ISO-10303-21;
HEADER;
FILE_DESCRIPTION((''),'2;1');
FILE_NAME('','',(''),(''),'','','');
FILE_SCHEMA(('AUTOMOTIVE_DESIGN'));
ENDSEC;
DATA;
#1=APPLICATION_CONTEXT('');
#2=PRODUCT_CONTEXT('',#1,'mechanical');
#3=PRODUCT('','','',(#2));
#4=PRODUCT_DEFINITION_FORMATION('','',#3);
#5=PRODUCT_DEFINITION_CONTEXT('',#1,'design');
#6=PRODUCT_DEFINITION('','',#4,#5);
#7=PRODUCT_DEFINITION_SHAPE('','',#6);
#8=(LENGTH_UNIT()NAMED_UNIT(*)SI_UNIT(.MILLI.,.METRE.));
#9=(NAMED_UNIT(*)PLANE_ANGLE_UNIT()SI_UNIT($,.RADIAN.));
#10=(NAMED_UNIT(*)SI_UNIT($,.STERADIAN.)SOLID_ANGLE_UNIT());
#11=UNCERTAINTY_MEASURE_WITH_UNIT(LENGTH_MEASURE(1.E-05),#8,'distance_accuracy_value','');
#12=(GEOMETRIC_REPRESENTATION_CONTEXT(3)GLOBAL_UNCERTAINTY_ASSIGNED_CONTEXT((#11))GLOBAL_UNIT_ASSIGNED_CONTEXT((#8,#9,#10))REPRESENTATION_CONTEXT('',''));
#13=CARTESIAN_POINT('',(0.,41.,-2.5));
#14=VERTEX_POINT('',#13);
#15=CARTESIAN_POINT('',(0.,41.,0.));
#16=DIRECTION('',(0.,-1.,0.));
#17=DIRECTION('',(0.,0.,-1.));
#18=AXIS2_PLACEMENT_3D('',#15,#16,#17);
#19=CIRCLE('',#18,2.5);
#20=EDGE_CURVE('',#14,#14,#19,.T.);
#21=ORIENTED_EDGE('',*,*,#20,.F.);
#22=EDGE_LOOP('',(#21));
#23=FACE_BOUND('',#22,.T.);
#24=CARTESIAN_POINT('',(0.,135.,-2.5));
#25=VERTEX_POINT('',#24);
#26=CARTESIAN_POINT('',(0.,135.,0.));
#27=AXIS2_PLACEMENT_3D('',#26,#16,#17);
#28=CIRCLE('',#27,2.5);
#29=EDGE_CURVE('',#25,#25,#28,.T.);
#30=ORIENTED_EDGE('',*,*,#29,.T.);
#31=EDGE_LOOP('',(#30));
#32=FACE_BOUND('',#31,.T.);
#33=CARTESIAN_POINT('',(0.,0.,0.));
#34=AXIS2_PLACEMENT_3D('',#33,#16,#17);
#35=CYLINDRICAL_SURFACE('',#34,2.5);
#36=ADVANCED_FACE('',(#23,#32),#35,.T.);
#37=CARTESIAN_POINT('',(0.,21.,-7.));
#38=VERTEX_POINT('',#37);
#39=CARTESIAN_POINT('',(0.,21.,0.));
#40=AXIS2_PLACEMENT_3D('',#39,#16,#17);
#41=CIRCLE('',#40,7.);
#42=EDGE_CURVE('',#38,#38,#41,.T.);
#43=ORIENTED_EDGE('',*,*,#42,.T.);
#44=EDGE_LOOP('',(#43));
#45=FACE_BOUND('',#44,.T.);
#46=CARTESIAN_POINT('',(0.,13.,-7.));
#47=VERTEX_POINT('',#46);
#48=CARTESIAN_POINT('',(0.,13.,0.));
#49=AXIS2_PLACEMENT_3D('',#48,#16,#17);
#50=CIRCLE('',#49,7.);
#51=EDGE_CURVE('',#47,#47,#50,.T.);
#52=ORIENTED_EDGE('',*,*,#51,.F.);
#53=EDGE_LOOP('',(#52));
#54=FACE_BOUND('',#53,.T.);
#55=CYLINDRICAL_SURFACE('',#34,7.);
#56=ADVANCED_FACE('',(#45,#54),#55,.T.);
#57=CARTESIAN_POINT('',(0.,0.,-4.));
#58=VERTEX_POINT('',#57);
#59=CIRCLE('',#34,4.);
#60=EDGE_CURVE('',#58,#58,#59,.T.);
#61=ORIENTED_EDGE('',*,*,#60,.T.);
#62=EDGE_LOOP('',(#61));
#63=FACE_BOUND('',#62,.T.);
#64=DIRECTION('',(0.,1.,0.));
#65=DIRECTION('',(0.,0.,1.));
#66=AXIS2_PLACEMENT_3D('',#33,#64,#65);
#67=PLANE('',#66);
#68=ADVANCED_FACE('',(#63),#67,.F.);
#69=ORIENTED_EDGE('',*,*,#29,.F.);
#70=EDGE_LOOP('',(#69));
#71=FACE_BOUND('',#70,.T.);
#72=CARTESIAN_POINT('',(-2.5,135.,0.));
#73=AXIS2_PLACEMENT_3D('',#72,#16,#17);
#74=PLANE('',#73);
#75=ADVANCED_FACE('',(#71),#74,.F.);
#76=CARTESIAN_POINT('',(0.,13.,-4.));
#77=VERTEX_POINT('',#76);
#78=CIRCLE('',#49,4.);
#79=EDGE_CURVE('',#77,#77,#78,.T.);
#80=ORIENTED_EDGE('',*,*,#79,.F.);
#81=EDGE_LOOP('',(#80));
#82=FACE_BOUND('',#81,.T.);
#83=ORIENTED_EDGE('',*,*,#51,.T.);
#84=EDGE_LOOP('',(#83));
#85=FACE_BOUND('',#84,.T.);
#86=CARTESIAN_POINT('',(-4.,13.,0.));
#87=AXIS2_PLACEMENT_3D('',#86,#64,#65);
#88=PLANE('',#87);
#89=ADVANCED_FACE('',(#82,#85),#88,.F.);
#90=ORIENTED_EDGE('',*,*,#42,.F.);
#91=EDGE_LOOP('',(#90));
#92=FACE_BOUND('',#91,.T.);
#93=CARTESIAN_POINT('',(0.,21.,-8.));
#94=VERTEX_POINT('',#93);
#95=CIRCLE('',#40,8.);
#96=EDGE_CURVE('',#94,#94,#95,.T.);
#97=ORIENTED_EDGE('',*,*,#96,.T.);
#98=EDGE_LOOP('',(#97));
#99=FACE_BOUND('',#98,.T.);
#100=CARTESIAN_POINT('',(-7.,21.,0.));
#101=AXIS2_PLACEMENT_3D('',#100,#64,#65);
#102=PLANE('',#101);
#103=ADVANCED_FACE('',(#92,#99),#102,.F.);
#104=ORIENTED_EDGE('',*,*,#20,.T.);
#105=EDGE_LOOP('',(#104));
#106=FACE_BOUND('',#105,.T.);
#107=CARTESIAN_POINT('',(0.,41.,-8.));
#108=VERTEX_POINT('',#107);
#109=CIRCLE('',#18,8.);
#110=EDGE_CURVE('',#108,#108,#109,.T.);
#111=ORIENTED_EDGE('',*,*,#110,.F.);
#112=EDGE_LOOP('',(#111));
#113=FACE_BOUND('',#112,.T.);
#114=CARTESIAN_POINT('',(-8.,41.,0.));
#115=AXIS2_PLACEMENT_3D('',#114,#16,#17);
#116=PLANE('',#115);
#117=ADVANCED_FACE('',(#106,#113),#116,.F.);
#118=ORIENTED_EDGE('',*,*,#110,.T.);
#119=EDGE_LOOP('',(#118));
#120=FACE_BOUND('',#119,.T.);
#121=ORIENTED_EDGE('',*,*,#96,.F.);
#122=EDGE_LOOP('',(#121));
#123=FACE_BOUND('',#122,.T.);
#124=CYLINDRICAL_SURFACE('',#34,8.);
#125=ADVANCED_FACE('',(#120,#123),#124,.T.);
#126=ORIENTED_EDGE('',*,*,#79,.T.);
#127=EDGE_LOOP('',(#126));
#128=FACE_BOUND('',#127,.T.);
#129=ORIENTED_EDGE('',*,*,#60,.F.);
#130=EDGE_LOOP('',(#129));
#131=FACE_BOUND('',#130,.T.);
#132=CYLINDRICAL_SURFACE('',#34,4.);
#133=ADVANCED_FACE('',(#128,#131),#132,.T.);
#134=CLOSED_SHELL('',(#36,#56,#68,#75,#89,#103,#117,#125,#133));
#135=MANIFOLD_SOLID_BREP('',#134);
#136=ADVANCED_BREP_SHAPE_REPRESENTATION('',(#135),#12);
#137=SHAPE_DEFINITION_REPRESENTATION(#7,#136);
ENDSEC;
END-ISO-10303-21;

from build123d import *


with BuildPart() as part:
    # Croquis1 → Revolución1 (revolve)
    with BuildSketch(Plane.XY):
        Polygon((0, 0), (-4, 0), (-4, 13), (-7, 13), (-7, 21), (-8, 21), (-8, 41), (-2.5, 41), (-2.5, 135), (0, 135), align=None)
    revolve(axis=Axis((0, 0, 0), (0, 1, 0)))


solid = part.part
